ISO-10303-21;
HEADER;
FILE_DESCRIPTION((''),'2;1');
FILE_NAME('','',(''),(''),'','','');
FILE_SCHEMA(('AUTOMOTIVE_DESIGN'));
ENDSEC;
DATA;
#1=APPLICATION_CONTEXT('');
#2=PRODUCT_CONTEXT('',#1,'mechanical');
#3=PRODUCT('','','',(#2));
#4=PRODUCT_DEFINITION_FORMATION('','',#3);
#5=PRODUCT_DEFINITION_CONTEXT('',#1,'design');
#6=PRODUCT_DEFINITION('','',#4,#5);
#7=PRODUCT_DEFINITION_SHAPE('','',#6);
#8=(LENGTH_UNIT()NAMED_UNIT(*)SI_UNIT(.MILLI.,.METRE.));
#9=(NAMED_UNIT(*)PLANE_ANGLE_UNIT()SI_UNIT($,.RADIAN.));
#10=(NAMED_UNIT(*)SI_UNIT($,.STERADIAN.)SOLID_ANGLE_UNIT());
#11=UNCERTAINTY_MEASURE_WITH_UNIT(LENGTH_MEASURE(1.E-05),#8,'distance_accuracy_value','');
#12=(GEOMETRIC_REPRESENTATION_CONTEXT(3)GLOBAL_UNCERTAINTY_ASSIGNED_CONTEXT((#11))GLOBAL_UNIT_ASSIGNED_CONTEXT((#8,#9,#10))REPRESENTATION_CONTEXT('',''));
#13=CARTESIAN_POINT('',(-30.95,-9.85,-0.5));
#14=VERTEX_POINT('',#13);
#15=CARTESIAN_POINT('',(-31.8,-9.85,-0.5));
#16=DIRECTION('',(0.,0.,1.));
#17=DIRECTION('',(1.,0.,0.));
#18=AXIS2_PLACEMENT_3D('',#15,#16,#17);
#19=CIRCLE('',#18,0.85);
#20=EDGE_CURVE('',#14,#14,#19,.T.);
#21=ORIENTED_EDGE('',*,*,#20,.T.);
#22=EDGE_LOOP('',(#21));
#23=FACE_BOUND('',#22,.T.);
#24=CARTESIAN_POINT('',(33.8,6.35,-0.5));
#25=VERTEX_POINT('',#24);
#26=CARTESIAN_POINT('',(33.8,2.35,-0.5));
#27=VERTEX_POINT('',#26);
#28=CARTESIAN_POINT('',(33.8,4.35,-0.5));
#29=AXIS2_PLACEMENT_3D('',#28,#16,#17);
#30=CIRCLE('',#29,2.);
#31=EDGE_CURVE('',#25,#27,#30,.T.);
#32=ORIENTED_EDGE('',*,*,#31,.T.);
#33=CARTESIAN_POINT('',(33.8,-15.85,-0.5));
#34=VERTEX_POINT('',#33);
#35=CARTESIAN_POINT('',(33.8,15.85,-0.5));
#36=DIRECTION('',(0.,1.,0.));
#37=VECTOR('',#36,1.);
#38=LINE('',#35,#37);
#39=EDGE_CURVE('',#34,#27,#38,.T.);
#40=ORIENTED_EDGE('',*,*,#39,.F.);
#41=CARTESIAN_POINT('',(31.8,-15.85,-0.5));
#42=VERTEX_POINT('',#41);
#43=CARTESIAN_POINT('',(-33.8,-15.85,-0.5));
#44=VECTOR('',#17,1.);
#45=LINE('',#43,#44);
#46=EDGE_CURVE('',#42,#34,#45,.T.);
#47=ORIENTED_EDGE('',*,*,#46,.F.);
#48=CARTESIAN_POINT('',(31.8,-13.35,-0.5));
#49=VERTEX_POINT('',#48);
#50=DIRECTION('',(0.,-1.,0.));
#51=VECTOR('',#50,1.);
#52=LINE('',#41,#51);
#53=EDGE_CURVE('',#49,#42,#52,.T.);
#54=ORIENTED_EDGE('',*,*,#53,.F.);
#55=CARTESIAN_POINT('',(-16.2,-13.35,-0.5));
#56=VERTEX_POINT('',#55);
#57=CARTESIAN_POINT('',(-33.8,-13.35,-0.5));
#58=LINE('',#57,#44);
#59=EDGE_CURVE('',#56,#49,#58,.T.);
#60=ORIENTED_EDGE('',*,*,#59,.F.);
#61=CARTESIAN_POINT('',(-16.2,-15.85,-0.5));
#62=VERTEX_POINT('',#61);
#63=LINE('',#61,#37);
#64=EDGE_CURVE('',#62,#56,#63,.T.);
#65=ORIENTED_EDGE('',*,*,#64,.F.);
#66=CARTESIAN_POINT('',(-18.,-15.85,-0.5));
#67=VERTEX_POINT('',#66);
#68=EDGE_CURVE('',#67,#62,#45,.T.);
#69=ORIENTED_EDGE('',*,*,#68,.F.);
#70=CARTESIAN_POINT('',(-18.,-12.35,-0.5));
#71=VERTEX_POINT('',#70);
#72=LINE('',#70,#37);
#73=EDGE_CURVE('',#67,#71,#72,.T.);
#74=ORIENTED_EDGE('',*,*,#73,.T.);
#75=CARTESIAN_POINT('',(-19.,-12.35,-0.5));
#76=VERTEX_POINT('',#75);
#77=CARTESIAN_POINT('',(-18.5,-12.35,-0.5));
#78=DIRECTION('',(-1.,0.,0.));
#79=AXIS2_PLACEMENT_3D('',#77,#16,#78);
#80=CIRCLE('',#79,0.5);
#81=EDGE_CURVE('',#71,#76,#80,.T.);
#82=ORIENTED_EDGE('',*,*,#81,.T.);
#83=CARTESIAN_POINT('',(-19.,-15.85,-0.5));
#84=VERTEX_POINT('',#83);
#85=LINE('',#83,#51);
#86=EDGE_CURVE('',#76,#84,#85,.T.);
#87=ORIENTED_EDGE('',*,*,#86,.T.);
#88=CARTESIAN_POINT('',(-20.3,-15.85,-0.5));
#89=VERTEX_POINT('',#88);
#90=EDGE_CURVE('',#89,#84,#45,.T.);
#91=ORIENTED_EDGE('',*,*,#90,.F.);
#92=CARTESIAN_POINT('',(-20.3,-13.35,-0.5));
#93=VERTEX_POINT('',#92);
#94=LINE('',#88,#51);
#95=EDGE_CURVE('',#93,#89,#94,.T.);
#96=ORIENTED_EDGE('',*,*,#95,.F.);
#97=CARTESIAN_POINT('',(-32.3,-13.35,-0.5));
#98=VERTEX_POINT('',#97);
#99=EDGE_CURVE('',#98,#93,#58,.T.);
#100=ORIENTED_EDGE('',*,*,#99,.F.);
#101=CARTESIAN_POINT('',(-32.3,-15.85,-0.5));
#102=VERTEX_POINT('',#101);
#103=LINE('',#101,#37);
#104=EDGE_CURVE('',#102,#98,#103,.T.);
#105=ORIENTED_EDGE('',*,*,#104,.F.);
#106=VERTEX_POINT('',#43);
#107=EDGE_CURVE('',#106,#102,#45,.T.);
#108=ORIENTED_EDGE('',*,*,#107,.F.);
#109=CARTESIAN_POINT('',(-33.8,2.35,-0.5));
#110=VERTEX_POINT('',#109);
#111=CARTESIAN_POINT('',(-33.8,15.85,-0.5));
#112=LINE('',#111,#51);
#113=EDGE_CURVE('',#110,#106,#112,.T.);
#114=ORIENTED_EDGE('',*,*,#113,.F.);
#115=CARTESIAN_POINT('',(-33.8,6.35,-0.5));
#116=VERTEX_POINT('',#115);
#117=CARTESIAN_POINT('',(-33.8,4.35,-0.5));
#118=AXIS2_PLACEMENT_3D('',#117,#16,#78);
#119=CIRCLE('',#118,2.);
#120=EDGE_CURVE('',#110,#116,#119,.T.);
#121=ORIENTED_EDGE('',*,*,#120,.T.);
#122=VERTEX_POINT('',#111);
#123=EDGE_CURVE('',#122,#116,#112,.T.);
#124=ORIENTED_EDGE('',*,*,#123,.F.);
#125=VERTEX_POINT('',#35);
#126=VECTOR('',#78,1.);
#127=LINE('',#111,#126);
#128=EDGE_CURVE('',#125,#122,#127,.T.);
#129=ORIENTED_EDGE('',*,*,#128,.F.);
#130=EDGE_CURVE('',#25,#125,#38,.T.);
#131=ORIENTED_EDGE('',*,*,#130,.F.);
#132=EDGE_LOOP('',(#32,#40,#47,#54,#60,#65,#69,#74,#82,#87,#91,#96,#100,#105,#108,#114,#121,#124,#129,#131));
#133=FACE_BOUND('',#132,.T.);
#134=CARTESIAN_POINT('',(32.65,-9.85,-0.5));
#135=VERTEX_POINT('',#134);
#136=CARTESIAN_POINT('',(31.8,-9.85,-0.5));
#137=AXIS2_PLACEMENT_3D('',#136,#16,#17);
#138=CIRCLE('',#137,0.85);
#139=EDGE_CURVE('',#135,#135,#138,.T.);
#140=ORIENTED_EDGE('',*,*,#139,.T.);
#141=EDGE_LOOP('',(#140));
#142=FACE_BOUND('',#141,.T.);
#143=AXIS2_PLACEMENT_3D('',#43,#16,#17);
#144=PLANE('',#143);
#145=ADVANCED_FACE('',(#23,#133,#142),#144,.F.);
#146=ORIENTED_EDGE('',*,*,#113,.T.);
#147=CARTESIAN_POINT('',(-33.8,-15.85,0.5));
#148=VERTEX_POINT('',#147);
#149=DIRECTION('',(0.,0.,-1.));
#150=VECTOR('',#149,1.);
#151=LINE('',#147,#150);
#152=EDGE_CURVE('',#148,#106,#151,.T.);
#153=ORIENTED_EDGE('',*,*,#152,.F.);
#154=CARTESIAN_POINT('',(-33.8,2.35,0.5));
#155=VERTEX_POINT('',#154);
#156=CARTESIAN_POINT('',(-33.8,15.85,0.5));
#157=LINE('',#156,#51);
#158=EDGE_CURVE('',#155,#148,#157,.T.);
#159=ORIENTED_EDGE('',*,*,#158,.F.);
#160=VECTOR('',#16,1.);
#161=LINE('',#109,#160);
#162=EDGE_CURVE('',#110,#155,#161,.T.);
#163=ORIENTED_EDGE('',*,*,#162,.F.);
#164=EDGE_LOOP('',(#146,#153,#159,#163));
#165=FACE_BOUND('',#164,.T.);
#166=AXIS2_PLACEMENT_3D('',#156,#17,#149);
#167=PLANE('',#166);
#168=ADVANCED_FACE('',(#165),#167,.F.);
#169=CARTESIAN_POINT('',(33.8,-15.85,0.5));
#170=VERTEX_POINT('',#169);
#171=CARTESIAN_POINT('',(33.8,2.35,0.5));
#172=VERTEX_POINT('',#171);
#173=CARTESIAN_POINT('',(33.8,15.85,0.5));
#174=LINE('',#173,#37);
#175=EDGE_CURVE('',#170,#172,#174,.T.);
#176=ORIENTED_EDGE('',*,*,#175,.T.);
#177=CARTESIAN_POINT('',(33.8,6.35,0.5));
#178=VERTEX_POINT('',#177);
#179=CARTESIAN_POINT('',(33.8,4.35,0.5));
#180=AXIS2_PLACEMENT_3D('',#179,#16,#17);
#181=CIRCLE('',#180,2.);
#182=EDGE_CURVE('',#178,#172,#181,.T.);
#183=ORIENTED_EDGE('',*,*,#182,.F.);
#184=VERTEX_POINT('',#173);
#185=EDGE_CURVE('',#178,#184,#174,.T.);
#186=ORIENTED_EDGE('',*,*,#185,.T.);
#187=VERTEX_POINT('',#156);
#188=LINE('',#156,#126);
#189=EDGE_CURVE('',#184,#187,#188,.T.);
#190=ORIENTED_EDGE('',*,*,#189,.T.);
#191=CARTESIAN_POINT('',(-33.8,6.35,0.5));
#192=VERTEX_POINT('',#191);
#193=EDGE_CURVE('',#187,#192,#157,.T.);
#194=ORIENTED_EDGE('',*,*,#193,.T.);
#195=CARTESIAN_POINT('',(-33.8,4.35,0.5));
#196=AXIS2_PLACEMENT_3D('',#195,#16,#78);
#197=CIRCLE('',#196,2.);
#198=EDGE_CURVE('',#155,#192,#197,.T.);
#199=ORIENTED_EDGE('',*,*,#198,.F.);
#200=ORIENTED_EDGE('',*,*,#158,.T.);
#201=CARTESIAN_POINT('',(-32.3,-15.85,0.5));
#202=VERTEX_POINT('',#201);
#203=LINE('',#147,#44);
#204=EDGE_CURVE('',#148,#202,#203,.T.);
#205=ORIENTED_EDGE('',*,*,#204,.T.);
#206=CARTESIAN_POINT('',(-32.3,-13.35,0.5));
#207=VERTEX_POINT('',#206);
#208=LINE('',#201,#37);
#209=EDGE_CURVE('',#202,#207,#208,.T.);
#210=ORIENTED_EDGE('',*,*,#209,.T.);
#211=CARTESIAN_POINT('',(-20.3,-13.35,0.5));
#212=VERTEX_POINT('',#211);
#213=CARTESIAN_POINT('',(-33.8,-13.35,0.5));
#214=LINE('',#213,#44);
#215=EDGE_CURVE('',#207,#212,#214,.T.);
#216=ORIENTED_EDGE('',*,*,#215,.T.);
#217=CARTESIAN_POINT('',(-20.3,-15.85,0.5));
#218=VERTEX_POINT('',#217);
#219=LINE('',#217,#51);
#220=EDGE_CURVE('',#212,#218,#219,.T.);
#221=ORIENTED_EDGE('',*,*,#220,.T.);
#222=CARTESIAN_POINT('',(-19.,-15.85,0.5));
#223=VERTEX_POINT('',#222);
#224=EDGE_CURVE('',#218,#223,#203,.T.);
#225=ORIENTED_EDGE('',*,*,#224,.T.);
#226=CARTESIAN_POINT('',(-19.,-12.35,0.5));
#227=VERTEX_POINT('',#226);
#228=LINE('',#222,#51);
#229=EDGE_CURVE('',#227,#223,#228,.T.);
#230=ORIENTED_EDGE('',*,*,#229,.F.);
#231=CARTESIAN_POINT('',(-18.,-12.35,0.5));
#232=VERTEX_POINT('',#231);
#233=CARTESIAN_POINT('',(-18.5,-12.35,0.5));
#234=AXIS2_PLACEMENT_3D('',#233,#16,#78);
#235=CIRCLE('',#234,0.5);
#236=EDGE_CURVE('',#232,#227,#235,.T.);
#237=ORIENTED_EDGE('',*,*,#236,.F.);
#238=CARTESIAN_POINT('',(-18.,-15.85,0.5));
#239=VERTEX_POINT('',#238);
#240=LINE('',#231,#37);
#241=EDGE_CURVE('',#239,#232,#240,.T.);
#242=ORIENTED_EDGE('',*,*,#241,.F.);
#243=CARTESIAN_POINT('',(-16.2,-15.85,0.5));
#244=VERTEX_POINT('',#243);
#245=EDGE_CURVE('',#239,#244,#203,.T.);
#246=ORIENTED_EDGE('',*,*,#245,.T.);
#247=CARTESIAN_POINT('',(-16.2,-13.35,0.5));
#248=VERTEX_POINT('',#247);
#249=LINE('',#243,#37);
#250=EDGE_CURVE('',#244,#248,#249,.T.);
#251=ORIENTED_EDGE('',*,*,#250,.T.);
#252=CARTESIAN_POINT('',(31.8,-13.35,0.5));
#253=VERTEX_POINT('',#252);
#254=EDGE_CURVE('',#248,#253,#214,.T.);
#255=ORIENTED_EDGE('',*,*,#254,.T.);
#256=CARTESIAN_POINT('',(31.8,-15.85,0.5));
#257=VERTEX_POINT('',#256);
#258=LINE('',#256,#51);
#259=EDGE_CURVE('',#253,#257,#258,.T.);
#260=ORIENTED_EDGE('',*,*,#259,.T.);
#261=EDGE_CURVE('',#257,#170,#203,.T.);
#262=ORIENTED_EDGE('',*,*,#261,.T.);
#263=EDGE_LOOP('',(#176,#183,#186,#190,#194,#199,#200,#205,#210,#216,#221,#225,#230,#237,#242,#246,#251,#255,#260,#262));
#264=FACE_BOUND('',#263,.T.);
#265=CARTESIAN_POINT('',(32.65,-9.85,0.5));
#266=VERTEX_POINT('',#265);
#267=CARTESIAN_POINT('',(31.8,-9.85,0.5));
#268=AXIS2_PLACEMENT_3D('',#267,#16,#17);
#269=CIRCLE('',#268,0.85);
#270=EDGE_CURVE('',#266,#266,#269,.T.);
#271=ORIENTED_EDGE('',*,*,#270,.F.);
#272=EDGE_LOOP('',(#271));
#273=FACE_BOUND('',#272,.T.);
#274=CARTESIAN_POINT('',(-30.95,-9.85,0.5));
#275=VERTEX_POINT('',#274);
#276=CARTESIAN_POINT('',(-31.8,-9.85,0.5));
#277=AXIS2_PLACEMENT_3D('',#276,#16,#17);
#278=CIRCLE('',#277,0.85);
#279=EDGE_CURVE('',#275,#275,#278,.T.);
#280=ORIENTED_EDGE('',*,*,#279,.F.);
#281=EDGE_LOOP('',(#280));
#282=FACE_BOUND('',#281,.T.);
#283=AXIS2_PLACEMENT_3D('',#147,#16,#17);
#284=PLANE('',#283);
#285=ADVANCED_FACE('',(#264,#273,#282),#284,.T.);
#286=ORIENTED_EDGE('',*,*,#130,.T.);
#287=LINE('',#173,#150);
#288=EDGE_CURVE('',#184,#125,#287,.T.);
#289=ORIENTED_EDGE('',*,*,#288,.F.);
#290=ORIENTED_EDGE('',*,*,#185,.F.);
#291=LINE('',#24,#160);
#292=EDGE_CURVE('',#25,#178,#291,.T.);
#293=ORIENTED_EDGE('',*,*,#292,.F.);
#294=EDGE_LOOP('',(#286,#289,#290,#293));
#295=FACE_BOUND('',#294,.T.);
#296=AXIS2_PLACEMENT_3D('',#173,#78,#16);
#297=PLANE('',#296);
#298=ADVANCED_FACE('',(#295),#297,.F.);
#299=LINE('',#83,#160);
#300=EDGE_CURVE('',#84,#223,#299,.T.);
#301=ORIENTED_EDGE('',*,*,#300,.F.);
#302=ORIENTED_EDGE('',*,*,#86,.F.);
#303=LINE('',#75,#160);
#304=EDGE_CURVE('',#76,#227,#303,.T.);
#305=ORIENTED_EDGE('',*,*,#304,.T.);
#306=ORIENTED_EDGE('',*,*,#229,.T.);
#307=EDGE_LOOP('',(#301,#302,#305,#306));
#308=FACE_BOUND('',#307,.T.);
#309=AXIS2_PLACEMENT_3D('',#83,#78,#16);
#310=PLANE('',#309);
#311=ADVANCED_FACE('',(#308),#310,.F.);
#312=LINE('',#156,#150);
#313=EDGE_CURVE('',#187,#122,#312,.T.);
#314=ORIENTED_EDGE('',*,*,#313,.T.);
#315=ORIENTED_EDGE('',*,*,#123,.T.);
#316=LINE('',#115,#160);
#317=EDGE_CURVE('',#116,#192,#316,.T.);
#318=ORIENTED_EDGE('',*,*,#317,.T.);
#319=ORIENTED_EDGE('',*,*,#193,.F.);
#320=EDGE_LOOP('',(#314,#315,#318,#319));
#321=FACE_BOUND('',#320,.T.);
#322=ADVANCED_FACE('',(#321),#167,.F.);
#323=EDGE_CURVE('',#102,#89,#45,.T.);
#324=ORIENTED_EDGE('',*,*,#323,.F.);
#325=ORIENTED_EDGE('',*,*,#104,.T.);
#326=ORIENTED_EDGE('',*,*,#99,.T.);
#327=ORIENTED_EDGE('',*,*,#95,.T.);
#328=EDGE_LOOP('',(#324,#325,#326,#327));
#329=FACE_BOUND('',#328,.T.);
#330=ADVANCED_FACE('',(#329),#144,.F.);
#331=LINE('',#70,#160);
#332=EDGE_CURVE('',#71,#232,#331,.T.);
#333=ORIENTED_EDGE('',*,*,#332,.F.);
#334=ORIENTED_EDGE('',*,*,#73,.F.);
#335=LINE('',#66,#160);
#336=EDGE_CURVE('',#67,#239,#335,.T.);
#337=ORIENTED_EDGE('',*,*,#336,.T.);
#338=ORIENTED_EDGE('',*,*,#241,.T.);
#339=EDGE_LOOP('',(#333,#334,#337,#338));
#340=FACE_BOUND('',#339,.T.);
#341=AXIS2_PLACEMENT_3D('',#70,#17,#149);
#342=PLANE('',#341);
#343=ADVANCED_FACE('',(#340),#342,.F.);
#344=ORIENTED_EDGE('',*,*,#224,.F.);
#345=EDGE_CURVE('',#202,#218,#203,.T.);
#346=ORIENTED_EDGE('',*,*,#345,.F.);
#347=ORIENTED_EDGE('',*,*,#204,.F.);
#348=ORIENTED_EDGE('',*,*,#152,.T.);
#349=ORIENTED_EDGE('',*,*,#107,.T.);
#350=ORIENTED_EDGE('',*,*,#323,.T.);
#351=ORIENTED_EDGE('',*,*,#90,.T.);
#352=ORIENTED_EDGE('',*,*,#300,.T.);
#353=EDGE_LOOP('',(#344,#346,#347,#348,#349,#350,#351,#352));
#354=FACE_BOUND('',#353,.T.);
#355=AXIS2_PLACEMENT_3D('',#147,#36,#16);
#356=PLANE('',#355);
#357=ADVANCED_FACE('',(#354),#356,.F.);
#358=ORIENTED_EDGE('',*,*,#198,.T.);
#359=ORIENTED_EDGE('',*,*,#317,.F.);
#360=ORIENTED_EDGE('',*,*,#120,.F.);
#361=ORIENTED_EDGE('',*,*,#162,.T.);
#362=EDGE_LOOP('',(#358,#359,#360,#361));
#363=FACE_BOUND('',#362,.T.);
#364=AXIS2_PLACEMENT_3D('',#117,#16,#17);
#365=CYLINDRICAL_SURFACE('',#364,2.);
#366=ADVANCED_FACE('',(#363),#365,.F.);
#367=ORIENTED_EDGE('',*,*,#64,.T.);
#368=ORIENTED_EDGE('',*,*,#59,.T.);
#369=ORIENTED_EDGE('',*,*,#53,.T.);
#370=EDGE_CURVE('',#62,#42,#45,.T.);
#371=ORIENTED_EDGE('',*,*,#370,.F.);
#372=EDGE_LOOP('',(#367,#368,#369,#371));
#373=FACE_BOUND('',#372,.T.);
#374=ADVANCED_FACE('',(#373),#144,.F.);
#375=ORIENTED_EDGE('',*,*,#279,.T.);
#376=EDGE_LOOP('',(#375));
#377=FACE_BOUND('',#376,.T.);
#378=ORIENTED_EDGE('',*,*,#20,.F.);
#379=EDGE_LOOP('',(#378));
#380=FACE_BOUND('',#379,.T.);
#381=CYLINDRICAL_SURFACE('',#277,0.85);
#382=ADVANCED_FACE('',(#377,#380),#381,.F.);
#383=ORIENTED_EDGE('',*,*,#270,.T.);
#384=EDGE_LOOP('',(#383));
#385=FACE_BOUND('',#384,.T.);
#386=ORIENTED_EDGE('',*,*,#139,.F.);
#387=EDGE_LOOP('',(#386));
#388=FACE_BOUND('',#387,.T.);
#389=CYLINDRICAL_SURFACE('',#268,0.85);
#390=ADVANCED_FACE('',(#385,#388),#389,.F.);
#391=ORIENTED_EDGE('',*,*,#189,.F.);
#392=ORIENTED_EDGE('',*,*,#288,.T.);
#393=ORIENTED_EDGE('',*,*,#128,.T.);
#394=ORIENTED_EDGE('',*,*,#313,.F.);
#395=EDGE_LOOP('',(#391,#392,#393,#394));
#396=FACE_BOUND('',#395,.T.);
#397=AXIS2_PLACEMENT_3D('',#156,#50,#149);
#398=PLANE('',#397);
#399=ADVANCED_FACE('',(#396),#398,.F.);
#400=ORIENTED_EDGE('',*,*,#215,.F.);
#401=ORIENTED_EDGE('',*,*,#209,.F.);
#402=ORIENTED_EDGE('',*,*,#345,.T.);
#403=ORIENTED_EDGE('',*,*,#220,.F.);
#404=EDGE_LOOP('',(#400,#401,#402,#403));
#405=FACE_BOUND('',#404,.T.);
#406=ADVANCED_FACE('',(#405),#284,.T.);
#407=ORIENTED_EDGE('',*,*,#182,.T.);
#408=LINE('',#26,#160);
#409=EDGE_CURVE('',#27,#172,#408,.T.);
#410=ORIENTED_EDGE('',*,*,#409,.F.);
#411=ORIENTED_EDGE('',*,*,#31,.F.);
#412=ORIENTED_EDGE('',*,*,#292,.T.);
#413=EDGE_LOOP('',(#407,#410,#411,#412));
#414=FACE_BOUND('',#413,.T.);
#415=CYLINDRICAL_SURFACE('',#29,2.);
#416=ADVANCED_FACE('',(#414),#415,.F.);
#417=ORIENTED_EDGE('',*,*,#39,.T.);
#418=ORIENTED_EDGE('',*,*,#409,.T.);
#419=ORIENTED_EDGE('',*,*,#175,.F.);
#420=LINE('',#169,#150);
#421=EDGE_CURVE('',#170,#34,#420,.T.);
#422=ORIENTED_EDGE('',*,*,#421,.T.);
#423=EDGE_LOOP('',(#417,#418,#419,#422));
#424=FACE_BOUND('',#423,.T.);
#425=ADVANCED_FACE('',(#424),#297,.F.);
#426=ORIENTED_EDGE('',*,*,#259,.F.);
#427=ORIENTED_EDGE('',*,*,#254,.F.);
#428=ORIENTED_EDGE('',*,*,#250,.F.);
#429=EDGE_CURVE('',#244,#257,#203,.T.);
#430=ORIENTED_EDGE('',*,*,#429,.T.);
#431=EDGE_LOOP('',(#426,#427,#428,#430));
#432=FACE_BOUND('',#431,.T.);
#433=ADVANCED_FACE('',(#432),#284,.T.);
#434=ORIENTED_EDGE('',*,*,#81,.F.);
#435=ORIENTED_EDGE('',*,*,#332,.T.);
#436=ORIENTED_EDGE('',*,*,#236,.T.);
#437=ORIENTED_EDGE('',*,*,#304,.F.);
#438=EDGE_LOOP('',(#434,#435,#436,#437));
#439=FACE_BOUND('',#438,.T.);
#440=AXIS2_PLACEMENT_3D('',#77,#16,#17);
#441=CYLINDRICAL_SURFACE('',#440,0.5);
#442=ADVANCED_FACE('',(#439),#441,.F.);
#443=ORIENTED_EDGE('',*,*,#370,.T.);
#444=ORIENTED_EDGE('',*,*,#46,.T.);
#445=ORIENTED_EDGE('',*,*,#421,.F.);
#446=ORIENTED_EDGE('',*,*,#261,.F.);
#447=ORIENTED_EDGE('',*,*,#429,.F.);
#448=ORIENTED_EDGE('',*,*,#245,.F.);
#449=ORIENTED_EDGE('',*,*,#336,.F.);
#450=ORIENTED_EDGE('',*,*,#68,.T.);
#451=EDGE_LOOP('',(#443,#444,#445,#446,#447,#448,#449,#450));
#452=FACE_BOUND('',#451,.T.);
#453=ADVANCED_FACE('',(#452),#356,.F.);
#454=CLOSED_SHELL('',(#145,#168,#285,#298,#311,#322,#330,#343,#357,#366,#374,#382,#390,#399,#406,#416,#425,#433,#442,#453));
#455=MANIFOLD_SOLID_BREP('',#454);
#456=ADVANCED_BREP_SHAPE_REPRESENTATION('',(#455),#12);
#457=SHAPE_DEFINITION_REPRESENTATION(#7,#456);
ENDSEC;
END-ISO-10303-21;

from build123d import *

# Parameters (mm, degrees)
SKETCH1_W                     = 67.6
SKETCH1_H                     = 31.7
MAIN_BOARD_DEPTH              = 0.5
MOUNTING_CLIP_GROOVES_DEPTH   = 38.345180412
M1_7_1_7_LOCATING_PIN_HOLES_D = 1.7
LOCATING_SLOT_DEPTH           = 38.345180412


with BuildPart() as part:
    # Sketch1 → MAIN BOARD (new, symmetric)
    with BuildSketch(Plane.XY):
        Rectangle(SKETCH1_W, SKETCH1_H)
    extrude(amount=MAIN_BOARD_DEPTH, both=True)

    # Sketch2 → MOUNTING CLIP GROOVES (cut, through all)
    with BuildSketch(Plane.XY.offset(0.5)):
        with BuildLine():
            Line((-33.8, 6.35), (-33.8, 2.35))
            ThreePointArc((-33.8, 2.35), (-31.8, 4.35), (-33.8, 6.35))
        make_face()
        with BuildLine():
            Line((33.8, 6.35), (33.8, 2.35))
            ThreePointArc((33.8, 2.35), (31.8, 4.35), (33.8, 6.35))
        make_face()
    extrude(amount=-MOUNTING_CLIP_GROOVES_DEPTH, mode=Mode.SUBTRACT)

    # M1.7 (1.7) LOCATING PIN HOLES (through all)
    with Locations(Plane.XY.offset(0.5)):
        with Locations((-31.8, -9.85), (31.8, -9.85)):
            Hole(M1_7_1_7_LOCATING_PIN_HOLES_D / 2)

    # Sketch5 → LOCATING SLOT (cut, through all)
    with BuildSketch(Plane.XY.offset(0.5)):
        with BuildLine():
            Line((-19, -15.85), (-19, -12.35))
            ThreePointArc((-19, -12.35), (-18.5, -11.85), (-18, -12.35))
            Line((-18, -12.35), (-18, -15.85))
            Line((-18, -15.85), (-19, -15.85))
        make_face()
    extrude(amount=-LOCATING_SLOT_DEPTH, mode=Mode.SUBTRACT)


solid = part.part
